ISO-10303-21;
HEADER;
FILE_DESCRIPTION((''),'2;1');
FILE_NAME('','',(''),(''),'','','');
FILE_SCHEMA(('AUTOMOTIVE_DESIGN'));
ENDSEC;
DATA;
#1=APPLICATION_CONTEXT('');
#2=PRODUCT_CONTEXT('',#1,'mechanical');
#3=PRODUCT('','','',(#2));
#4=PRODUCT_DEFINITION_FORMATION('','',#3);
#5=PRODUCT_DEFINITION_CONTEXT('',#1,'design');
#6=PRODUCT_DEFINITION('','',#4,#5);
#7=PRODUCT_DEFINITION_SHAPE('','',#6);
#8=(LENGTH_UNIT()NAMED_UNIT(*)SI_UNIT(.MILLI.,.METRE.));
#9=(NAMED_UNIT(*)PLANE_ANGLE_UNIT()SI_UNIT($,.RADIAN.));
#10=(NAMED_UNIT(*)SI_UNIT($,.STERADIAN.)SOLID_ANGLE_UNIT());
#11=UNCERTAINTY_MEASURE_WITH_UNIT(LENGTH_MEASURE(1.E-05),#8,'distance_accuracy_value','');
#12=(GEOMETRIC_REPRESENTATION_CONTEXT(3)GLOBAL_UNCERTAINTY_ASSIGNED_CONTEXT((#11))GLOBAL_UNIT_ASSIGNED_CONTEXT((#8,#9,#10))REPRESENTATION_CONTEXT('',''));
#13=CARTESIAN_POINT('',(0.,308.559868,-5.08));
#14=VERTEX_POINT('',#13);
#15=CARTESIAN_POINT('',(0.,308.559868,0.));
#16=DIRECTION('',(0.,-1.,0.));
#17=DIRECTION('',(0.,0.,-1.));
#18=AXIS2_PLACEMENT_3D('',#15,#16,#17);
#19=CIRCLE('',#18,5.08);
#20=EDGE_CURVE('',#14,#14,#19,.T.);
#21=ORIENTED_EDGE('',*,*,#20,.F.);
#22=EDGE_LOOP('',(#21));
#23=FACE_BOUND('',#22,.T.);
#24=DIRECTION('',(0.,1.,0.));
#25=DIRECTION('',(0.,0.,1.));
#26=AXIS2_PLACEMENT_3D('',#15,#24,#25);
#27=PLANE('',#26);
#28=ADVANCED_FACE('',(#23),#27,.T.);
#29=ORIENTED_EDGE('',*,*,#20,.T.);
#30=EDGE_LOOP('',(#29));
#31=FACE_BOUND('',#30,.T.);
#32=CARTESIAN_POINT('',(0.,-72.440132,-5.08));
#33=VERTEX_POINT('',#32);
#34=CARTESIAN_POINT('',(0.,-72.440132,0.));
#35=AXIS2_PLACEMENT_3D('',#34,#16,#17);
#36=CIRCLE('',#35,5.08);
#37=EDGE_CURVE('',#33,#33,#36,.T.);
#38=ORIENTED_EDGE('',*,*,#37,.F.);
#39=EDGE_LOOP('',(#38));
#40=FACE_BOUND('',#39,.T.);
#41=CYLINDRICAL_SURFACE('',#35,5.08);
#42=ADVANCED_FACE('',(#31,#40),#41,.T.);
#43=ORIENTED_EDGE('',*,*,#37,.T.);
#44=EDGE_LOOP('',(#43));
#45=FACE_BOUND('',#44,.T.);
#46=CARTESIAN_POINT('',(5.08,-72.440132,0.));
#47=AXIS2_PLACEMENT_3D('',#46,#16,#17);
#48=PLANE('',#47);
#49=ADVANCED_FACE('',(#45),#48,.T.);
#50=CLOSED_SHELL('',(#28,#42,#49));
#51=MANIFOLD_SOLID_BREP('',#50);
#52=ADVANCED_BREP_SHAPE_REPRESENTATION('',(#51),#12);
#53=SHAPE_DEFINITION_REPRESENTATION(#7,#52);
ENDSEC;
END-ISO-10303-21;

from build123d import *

# Parameters (mm, degrees)
SKETCH1_W = 5.08
SKETCH1_H = 381


with BuildPart() as part:
    # Sketch1 → Revolve1 (revolve)
    with BuildSketch(Plane.XY, mode=Mode.PRIVATE) as revolve1_sk:
        with Locations((2.54, 118.059868421)):
            Rectangle(SKETCH1_W, SKETCH1_H)
    revolve(revolve1_sk.sketch.rotate(Axis((0, -72.440131579, 0), (0, 1, 0)), 90), axis=Axis((0, -72.440131579, 0), (0, 1, 0)))


solid = part.part
